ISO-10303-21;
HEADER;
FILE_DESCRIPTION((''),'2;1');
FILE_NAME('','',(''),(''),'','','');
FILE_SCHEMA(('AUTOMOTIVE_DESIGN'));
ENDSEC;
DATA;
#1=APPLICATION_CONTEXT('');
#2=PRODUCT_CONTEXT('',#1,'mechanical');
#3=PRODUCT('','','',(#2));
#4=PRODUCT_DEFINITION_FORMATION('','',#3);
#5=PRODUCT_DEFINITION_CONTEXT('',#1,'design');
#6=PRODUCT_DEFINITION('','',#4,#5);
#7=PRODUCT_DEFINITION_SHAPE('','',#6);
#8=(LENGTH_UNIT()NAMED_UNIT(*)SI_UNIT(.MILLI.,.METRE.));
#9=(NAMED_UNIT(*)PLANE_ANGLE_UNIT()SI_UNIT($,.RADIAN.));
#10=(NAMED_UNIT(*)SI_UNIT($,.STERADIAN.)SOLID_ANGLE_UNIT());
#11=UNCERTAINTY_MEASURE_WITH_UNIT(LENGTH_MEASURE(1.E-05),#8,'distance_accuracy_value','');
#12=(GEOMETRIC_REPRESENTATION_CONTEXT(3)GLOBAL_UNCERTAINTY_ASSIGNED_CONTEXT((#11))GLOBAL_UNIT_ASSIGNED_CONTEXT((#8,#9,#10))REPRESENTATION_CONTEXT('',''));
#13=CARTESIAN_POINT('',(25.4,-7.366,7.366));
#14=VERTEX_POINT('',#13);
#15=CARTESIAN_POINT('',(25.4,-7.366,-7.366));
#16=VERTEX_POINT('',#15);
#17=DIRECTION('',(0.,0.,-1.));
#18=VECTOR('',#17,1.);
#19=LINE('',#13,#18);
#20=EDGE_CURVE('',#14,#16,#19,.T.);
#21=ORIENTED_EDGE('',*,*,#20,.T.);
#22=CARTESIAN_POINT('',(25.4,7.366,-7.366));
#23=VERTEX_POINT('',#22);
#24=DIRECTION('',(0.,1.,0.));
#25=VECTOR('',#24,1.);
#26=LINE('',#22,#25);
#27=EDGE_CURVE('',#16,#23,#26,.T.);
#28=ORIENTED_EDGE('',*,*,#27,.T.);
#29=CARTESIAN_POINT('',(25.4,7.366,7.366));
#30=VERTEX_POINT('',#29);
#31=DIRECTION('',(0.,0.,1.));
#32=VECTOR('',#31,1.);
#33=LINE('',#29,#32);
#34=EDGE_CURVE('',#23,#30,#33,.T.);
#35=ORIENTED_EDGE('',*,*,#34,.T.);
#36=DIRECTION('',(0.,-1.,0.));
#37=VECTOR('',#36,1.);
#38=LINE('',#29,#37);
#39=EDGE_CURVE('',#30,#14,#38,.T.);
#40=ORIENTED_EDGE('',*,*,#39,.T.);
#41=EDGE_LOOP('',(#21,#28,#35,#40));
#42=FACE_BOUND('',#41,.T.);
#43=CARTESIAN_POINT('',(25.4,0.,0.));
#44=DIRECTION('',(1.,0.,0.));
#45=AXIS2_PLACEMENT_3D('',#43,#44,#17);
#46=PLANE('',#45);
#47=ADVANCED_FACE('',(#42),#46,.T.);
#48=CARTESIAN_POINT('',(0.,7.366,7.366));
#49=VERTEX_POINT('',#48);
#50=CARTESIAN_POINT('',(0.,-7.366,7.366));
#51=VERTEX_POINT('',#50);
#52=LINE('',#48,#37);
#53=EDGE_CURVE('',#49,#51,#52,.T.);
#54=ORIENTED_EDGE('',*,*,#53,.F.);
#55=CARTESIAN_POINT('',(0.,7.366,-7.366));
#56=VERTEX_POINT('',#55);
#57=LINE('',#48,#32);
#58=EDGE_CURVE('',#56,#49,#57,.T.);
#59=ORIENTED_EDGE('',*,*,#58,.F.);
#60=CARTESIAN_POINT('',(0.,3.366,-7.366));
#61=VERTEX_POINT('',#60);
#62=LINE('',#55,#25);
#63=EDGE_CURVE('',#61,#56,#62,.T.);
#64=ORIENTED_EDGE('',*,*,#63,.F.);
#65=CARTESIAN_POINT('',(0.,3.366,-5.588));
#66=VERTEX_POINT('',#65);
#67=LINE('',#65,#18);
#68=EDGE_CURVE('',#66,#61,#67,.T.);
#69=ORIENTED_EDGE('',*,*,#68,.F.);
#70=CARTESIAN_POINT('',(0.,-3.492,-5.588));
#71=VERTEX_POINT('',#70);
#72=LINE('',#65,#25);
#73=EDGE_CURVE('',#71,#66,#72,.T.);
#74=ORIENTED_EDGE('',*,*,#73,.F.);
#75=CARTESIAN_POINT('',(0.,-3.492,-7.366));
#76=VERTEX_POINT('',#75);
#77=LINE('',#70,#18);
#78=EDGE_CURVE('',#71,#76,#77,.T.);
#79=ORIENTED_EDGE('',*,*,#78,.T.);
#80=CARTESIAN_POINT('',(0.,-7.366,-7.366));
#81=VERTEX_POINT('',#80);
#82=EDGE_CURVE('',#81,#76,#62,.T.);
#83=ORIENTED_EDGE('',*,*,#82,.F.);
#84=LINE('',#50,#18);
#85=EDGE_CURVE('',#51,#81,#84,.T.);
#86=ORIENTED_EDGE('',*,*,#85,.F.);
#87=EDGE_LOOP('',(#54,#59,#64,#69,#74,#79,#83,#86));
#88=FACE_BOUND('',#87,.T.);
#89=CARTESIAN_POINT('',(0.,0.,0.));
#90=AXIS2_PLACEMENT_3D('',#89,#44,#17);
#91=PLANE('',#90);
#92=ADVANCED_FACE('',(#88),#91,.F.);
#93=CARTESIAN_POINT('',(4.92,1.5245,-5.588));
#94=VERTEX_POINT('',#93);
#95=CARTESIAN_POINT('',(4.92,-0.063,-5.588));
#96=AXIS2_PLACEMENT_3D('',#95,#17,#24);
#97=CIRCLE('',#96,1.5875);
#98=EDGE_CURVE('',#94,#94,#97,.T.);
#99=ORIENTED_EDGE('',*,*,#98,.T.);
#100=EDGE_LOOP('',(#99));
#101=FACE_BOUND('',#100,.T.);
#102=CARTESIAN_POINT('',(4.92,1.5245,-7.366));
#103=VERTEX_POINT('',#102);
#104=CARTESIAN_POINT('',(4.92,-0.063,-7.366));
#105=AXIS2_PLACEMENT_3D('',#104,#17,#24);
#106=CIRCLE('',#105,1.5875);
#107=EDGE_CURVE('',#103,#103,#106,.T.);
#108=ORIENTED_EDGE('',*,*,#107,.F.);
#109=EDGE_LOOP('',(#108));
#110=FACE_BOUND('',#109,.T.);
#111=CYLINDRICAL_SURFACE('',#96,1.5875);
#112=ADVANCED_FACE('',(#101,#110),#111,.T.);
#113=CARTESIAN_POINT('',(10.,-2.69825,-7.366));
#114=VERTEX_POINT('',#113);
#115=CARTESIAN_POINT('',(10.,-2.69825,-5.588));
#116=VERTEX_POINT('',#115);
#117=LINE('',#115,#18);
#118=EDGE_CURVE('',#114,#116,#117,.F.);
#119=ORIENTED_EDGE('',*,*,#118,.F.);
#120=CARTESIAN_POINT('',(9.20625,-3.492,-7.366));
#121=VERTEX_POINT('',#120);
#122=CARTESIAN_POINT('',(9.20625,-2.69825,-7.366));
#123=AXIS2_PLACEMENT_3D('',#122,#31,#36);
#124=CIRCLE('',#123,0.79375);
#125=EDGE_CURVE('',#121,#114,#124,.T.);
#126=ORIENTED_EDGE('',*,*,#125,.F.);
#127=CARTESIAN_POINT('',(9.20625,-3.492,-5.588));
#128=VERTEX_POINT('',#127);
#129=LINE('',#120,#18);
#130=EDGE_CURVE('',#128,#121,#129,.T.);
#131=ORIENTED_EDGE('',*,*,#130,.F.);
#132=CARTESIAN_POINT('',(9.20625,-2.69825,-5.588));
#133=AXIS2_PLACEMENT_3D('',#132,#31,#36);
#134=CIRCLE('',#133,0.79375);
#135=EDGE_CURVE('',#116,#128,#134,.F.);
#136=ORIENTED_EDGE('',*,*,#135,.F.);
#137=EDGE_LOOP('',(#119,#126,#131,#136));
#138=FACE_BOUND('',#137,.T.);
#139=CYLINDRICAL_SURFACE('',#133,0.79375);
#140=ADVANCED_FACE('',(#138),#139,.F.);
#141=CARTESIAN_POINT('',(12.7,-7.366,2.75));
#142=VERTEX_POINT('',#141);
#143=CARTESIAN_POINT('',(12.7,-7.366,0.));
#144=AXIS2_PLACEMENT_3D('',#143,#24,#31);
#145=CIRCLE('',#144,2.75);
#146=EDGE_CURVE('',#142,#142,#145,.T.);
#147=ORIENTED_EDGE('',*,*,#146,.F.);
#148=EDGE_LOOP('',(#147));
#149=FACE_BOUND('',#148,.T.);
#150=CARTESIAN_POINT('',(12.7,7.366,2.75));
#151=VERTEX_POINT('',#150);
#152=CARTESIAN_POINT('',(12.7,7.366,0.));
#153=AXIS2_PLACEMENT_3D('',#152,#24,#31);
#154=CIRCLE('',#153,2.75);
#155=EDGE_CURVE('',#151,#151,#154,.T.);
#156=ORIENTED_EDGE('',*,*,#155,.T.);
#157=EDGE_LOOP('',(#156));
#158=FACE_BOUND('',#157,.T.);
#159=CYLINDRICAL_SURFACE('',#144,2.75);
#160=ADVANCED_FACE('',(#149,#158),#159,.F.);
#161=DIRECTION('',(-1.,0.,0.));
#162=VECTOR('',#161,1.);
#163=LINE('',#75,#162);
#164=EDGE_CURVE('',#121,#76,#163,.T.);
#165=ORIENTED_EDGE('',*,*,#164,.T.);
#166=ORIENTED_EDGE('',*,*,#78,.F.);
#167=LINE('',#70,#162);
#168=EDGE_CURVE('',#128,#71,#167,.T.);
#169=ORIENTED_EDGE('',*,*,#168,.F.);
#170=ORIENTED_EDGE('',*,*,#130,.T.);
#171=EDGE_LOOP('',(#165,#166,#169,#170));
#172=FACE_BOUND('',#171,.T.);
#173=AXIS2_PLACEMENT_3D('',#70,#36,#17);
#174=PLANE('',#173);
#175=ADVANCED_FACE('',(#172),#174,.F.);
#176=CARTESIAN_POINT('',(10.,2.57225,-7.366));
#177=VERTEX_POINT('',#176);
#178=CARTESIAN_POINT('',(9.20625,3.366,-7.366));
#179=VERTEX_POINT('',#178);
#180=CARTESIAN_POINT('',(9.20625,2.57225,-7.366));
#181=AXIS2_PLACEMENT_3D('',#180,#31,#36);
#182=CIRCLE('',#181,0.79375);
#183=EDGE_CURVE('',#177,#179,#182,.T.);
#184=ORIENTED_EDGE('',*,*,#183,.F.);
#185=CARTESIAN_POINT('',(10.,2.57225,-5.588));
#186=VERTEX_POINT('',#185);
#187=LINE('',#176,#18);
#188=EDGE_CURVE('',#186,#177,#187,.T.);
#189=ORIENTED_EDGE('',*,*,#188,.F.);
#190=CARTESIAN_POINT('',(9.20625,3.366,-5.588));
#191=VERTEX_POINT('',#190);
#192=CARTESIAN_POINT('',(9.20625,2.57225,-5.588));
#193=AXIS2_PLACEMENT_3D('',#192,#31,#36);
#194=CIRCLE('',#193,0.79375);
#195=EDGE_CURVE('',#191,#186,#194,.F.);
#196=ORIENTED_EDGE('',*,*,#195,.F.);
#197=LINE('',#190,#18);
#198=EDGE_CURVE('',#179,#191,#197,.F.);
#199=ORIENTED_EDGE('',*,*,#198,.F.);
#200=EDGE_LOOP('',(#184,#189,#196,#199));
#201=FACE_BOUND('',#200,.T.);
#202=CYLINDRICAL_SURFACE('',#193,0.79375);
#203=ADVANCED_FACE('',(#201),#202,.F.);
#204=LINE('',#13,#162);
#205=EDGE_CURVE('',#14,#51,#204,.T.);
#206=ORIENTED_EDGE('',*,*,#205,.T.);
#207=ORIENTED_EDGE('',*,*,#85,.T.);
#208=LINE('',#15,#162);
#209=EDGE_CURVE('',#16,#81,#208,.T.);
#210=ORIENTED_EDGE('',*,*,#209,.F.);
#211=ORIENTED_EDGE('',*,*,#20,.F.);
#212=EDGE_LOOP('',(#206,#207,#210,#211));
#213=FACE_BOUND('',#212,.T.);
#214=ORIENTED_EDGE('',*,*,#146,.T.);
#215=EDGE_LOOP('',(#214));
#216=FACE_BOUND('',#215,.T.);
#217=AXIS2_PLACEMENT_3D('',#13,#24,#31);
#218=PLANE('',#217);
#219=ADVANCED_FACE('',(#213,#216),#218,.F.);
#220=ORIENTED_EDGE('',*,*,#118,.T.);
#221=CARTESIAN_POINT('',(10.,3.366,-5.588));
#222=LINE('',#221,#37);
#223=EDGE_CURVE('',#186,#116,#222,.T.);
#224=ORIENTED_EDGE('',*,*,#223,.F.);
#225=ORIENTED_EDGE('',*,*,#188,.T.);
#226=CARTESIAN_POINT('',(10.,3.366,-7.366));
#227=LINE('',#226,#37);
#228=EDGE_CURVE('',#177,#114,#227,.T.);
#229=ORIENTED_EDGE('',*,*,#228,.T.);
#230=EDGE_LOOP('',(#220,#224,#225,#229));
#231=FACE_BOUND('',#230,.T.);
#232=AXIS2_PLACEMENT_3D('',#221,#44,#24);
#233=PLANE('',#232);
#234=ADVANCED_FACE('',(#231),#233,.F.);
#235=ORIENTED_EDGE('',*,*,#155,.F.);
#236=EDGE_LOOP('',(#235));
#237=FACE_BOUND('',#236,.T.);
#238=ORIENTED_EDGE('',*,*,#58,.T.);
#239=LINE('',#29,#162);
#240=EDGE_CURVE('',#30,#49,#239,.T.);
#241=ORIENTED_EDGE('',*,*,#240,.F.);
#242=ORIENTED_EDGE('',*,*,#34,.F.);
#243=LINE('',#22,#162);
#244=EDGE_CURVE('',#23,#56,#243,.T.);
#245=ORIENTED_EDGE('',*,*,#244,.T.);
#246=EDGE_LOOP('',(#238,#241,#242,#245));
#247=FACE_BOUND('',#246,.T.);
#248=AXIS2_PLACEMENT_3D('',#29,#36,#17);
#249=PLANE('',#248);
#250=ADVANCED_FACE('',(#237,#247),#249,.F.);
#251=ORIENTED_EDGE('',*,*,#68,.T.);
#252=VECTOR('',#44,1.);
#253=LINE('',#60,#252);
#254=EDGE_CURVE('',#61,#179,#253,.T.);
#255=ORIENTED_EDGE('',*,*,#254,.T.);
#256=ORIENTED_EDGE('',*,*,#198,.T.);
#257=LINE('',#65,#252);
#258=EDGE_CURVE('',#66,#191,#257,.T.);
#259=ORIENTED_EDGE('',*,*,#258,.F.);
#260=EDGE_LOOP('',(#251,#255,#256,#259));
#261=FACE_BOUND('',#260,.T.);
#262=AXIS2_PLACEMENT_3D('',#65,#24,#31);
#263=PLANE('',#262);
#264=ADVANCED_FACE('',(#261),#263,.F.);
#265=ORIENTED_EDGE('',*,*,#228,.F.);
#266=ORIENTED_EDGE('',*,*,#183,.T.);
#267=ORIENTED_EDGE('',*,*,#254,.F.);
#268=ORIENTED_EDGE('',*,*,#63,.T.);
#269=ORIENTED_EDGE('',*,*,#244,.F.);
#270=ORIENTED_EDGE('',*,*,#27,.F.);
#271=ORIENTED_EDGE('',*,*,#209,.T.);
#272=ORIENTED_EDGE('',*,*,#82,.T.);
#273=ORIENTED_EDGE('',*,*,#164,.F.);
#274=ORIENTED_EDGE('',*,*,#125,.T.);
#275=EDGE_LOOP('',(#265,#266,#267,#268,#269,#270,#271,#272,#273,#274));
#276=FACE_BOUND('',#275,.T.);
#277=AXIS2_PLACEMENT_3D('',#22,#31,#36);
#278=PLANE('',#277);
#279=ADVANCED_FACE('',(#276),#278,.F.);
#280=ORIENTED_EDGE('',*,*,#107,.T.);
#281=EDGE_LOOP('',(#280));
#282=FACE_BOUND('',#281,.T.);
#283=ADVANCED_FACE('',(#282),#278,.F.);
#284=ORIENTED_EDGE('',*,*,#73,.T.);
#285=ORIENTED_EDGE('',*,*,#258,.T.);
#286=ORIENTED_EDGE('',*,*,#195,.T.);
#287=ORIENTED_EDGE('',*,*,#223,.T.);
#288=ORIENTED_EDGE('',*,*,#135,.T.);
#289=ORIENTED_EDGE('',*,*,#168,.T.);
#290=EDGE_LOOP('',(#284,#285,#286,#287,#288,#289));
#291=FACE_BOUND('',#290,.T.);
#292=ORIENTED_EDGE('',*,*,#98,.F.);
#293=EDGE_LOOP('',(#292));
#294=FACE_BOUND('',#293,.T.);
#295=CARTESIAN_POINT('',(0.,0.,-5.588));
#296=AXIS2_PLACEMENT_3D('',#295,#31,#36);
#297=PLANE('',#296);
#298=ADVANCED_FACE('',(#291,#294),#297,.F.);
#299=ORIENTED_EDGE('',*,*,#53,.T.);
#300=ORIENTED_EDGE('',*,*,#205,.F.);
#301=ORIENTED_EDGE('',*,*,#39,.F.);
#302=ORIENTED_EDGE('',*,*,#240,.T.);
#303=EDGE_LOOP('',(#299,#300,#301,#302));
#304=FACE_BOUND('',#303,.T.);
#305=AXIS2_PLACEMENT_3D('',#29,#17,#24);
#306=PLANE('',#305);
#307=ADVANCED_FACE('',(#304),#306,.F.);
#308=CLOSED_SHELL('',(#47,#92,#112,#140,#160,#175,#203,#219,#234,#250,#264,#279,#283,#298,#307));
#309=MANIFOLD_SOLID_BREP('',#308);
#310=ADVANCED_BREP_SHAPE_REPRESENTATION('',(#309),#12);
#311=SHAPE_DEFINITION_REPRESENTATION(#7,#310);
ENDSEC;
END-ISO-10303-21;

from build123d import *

# Parameters (mm, degrees)
SKETCH1_W           = 14.732
SKETCH1_H           = 14.732
BOSS_EXTRUDE1_DEPTH = 25.4
SKETCH2_R           = 2.75
CUT_EXTRUDE1_DEPTH  = 31.272921564
SKETCH3_W           = 10
SKETCH3_H           = 6.858
SKETCH3_R           = 1.5875
CUT_EXTRUDE2_DEPTH  = 1.778
FILLET1_R           = 0.79375


with BuildPart() as part:
    # Sketch1 → Boss-Extrude1 (new body)
    with BuildSketch(Plane(origin=(0, 0, 0), x_dir=(0, 0, -1), z_dir=(1, 0, 0))):
        Rectangle(SKETCH1_W, SKETCH1_H)
    extrude(amount=BOSS_EXTRUDE1_DEPTH)

    # Sketch2 → Cut-Extrude1 (cut, through all)
    with BuildSketch(Plane(origin=(0, 7.366, 0), x_dir=(1, 0, 0), z_dir=(0, 1, 0))):
        with Locations(Location((12.7, 0, 0), (0, 0, 270))):
            Circle(SKETCH2_R)
    extrude(amount=-CUT_EXTRUDE1_DEPTH, mode=Mode.SUBTRACT)

    # Sketch3 → Cut-Extrude2 (cut)
    with BuildSketch(Plane(origin=(0, 0, -7.366), x_dir=(-1, 0, 0), z_dir=(0, 0, -1))):
        with Locations((-5, -0.063)):
            Rectangle(SKETCH3_W, SKETCH3_H)
        with Locations(Location((-4.92, -0.063, 0), (0, 0, 90))):
            Circle(SKETCH3_R, mode=Mode.SUBTRACT)
    extrude(amount=-CUT_EXTRUDE2_DEPTH, mode=Mode.SUBTRACT)

    # Fillet1
    fillet1_edges = [part.edges().sort_by_distance(p)[0] for p in [
        (10, -3.492, -6.477),
        (10, 3.366, -6.477),
    ]]
    fillet(fillet1_edges, radius=FILLET1_R)


solid = part.part
